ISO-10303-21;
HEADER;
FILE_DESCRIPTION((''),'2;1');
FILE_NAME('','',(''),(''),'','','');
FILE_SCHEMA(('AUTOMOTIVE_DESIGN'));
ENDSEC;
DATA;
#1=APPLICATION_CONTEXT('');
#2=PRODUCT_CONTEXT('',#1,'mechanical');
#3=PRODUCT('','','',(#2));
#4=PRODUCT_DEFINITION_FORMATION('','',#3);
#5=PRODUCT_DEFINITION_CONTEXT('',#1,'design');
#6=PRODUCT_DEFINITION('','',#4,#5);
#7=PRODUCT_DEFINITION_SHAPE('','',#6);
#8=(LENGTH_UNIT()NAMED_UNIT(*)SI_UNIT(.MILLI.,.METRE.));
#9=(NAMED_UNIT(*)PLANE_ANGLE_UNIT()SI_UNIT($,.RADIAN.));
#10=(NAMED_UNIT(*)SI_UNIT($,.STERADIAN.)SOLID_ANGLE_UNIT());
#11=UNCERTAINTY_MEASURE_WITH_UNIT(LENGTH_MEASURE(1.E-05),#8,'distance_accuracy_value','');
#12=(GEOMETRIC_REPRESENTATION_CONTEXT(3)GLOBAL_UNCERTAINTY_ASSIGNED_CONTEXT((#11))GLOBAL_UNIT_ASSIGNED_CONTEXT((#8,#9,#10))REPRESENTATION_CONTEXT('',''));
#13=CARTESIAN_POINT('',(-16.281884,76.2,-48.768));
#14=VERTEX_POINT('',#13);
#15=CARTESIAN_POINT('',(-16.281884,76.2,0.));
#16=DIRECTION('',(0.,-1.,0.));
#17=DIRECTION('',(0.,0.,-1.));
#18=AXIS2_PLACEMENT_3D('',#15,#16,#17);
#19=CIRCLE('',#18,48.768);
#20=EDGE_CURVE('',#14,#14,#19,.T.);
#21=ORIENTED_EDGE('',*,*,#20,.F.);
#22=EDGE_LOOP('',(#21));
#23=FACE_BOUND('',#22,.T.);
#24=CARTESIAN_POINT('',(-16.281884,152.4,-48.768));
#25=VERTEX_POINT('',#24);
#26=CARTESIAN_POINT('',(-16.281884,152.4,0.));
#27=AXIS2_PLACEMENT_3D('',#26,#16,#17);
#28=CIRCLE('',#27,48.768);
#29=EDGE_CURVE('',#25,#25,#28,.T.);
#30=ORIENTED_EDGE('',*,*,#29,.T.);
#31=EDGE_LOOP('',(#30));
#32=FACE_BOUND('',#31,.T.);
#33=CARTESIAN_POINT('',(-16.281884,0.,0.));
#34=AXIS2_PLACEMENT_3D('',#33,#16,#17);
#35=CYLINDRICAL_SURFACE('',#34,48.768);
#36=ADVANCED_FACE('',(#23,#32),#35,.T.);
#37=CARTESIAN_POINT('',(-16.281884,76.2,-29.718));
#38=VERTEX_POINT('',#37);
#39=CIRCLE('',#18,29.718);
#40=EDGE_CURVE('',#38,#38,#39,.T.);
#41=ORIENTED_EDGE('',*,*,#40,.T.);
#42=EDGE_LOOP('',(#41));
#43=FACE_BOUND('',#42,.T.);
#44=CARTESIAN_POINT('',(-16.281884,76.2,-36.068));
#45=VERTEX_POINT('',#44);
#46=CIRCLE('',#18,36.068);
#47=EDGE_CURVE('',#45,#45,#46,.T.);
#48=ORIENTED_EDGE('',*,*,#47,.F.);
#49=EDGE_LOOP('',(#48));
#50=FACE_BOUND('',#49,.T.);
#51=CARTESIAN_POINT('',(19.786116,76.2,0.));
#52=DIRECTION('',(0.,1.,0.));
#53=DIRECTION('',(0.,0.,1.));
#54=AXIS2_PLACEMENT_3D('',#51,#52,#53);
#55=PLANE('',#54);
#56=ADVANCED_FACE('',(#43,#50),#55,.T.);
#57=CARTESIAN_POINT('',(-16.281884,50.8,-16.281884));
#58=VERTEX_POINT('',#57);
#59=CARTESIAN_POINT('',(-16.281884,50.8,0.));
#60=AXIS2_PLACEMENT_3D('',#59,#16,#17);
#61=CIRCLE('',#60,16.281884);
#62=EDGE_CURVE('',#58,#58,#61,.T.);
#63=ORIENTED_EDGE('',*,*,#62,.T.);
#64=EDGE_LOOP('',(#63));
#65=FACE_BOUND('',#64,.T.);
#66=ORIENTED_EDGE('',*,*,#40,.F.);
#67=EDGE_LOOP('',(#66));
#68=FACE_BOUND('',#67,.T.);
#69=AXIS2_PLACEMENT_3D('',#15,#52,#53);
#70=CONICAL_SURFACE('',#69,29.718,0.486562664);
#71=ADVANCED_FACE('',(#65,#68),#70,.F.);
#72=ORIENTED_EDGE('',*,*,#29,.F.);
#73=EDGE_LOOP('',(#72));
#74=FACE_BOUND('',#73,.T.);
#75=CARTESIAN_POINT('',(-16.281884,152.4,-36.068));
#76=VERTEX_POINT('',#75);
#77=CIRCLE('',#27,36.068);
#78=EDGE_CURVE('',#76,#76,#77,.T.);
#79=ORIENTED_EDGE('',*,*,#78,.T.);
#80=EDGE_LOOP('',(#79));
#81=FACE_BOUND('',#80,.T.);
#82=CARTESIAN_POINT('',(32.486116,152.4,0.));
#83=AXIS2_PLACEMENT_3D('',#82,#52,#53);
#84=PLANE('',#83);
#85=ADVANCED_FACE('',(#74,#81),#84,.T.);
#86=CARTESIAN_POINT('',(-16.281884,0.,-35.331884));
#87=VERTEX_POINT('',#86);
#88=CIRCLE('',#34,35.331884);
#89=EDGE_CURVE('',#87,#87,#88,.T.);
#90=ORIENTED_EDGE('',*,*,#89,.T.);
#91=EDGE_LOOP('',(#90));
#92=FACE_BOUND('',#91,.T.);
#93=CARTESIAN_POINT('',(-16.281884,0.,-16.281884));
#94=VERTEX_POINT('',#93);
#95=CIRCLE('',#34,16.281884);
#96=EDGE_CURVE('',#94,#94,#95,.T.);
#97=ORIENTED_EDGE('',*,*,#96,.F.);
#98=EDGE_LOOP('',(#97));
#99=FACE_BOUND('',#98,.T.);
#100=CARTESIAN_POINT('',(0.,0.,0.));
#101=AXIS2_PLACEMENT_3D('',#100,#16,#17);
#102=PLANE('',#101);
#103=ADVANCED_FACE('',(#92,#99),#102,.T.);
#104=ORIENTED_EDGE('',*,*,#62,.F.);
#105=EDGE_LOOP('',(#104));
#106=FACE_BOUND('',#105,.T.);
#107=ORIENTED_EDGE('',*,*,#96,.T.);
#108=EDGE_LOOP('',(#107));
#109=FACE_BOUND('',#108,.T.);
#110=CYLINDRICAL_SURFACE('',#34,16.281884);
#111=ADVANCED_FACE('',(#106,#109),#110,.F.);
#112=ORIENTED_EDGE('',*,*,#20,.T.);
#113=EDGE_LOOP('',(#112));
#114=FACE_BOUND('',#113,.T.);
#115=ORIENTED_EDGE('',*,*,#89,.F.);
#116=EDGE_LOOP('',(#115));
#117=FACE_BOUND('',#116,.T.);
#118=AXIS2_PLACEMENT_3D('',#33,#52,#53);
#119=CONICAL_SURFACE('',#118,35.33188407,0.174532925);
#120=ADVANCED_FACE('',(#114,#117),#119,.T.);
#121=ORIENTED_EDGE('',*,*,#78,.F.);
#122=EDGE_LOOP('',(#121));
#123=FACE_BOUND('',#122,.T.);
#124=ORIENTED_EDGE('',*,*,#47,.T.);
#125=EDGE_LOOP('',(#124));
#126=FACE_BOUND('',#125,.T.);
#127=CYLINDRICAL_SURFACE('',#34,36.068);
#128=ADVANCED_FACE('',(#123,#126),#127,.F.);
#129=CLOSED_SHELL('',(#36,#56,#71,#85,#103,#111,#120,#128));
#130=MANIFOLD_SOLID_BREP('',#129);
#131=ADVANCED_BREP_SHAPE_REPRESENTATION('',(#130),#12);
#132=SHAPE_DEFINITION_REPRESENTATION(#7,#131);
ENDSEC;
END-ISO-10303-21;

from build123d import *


with BuildPart() as part:
    # Sketch2 → Revolve2 (revolve)
    with BuildSketch(Plane.XY):
        Polygon((0, 0), (19.05, 0), (32.48611593, 76.2), (32.48611593, 152.4), (19.78611593, 152.4), (19.78611593, 76.2), (13.43611593, 76.2), (0, 50.8), align=None)
    revolve(axis=Axis((-16.28188407, 0, 0), (0, 1, 0)))


solid = part.part
